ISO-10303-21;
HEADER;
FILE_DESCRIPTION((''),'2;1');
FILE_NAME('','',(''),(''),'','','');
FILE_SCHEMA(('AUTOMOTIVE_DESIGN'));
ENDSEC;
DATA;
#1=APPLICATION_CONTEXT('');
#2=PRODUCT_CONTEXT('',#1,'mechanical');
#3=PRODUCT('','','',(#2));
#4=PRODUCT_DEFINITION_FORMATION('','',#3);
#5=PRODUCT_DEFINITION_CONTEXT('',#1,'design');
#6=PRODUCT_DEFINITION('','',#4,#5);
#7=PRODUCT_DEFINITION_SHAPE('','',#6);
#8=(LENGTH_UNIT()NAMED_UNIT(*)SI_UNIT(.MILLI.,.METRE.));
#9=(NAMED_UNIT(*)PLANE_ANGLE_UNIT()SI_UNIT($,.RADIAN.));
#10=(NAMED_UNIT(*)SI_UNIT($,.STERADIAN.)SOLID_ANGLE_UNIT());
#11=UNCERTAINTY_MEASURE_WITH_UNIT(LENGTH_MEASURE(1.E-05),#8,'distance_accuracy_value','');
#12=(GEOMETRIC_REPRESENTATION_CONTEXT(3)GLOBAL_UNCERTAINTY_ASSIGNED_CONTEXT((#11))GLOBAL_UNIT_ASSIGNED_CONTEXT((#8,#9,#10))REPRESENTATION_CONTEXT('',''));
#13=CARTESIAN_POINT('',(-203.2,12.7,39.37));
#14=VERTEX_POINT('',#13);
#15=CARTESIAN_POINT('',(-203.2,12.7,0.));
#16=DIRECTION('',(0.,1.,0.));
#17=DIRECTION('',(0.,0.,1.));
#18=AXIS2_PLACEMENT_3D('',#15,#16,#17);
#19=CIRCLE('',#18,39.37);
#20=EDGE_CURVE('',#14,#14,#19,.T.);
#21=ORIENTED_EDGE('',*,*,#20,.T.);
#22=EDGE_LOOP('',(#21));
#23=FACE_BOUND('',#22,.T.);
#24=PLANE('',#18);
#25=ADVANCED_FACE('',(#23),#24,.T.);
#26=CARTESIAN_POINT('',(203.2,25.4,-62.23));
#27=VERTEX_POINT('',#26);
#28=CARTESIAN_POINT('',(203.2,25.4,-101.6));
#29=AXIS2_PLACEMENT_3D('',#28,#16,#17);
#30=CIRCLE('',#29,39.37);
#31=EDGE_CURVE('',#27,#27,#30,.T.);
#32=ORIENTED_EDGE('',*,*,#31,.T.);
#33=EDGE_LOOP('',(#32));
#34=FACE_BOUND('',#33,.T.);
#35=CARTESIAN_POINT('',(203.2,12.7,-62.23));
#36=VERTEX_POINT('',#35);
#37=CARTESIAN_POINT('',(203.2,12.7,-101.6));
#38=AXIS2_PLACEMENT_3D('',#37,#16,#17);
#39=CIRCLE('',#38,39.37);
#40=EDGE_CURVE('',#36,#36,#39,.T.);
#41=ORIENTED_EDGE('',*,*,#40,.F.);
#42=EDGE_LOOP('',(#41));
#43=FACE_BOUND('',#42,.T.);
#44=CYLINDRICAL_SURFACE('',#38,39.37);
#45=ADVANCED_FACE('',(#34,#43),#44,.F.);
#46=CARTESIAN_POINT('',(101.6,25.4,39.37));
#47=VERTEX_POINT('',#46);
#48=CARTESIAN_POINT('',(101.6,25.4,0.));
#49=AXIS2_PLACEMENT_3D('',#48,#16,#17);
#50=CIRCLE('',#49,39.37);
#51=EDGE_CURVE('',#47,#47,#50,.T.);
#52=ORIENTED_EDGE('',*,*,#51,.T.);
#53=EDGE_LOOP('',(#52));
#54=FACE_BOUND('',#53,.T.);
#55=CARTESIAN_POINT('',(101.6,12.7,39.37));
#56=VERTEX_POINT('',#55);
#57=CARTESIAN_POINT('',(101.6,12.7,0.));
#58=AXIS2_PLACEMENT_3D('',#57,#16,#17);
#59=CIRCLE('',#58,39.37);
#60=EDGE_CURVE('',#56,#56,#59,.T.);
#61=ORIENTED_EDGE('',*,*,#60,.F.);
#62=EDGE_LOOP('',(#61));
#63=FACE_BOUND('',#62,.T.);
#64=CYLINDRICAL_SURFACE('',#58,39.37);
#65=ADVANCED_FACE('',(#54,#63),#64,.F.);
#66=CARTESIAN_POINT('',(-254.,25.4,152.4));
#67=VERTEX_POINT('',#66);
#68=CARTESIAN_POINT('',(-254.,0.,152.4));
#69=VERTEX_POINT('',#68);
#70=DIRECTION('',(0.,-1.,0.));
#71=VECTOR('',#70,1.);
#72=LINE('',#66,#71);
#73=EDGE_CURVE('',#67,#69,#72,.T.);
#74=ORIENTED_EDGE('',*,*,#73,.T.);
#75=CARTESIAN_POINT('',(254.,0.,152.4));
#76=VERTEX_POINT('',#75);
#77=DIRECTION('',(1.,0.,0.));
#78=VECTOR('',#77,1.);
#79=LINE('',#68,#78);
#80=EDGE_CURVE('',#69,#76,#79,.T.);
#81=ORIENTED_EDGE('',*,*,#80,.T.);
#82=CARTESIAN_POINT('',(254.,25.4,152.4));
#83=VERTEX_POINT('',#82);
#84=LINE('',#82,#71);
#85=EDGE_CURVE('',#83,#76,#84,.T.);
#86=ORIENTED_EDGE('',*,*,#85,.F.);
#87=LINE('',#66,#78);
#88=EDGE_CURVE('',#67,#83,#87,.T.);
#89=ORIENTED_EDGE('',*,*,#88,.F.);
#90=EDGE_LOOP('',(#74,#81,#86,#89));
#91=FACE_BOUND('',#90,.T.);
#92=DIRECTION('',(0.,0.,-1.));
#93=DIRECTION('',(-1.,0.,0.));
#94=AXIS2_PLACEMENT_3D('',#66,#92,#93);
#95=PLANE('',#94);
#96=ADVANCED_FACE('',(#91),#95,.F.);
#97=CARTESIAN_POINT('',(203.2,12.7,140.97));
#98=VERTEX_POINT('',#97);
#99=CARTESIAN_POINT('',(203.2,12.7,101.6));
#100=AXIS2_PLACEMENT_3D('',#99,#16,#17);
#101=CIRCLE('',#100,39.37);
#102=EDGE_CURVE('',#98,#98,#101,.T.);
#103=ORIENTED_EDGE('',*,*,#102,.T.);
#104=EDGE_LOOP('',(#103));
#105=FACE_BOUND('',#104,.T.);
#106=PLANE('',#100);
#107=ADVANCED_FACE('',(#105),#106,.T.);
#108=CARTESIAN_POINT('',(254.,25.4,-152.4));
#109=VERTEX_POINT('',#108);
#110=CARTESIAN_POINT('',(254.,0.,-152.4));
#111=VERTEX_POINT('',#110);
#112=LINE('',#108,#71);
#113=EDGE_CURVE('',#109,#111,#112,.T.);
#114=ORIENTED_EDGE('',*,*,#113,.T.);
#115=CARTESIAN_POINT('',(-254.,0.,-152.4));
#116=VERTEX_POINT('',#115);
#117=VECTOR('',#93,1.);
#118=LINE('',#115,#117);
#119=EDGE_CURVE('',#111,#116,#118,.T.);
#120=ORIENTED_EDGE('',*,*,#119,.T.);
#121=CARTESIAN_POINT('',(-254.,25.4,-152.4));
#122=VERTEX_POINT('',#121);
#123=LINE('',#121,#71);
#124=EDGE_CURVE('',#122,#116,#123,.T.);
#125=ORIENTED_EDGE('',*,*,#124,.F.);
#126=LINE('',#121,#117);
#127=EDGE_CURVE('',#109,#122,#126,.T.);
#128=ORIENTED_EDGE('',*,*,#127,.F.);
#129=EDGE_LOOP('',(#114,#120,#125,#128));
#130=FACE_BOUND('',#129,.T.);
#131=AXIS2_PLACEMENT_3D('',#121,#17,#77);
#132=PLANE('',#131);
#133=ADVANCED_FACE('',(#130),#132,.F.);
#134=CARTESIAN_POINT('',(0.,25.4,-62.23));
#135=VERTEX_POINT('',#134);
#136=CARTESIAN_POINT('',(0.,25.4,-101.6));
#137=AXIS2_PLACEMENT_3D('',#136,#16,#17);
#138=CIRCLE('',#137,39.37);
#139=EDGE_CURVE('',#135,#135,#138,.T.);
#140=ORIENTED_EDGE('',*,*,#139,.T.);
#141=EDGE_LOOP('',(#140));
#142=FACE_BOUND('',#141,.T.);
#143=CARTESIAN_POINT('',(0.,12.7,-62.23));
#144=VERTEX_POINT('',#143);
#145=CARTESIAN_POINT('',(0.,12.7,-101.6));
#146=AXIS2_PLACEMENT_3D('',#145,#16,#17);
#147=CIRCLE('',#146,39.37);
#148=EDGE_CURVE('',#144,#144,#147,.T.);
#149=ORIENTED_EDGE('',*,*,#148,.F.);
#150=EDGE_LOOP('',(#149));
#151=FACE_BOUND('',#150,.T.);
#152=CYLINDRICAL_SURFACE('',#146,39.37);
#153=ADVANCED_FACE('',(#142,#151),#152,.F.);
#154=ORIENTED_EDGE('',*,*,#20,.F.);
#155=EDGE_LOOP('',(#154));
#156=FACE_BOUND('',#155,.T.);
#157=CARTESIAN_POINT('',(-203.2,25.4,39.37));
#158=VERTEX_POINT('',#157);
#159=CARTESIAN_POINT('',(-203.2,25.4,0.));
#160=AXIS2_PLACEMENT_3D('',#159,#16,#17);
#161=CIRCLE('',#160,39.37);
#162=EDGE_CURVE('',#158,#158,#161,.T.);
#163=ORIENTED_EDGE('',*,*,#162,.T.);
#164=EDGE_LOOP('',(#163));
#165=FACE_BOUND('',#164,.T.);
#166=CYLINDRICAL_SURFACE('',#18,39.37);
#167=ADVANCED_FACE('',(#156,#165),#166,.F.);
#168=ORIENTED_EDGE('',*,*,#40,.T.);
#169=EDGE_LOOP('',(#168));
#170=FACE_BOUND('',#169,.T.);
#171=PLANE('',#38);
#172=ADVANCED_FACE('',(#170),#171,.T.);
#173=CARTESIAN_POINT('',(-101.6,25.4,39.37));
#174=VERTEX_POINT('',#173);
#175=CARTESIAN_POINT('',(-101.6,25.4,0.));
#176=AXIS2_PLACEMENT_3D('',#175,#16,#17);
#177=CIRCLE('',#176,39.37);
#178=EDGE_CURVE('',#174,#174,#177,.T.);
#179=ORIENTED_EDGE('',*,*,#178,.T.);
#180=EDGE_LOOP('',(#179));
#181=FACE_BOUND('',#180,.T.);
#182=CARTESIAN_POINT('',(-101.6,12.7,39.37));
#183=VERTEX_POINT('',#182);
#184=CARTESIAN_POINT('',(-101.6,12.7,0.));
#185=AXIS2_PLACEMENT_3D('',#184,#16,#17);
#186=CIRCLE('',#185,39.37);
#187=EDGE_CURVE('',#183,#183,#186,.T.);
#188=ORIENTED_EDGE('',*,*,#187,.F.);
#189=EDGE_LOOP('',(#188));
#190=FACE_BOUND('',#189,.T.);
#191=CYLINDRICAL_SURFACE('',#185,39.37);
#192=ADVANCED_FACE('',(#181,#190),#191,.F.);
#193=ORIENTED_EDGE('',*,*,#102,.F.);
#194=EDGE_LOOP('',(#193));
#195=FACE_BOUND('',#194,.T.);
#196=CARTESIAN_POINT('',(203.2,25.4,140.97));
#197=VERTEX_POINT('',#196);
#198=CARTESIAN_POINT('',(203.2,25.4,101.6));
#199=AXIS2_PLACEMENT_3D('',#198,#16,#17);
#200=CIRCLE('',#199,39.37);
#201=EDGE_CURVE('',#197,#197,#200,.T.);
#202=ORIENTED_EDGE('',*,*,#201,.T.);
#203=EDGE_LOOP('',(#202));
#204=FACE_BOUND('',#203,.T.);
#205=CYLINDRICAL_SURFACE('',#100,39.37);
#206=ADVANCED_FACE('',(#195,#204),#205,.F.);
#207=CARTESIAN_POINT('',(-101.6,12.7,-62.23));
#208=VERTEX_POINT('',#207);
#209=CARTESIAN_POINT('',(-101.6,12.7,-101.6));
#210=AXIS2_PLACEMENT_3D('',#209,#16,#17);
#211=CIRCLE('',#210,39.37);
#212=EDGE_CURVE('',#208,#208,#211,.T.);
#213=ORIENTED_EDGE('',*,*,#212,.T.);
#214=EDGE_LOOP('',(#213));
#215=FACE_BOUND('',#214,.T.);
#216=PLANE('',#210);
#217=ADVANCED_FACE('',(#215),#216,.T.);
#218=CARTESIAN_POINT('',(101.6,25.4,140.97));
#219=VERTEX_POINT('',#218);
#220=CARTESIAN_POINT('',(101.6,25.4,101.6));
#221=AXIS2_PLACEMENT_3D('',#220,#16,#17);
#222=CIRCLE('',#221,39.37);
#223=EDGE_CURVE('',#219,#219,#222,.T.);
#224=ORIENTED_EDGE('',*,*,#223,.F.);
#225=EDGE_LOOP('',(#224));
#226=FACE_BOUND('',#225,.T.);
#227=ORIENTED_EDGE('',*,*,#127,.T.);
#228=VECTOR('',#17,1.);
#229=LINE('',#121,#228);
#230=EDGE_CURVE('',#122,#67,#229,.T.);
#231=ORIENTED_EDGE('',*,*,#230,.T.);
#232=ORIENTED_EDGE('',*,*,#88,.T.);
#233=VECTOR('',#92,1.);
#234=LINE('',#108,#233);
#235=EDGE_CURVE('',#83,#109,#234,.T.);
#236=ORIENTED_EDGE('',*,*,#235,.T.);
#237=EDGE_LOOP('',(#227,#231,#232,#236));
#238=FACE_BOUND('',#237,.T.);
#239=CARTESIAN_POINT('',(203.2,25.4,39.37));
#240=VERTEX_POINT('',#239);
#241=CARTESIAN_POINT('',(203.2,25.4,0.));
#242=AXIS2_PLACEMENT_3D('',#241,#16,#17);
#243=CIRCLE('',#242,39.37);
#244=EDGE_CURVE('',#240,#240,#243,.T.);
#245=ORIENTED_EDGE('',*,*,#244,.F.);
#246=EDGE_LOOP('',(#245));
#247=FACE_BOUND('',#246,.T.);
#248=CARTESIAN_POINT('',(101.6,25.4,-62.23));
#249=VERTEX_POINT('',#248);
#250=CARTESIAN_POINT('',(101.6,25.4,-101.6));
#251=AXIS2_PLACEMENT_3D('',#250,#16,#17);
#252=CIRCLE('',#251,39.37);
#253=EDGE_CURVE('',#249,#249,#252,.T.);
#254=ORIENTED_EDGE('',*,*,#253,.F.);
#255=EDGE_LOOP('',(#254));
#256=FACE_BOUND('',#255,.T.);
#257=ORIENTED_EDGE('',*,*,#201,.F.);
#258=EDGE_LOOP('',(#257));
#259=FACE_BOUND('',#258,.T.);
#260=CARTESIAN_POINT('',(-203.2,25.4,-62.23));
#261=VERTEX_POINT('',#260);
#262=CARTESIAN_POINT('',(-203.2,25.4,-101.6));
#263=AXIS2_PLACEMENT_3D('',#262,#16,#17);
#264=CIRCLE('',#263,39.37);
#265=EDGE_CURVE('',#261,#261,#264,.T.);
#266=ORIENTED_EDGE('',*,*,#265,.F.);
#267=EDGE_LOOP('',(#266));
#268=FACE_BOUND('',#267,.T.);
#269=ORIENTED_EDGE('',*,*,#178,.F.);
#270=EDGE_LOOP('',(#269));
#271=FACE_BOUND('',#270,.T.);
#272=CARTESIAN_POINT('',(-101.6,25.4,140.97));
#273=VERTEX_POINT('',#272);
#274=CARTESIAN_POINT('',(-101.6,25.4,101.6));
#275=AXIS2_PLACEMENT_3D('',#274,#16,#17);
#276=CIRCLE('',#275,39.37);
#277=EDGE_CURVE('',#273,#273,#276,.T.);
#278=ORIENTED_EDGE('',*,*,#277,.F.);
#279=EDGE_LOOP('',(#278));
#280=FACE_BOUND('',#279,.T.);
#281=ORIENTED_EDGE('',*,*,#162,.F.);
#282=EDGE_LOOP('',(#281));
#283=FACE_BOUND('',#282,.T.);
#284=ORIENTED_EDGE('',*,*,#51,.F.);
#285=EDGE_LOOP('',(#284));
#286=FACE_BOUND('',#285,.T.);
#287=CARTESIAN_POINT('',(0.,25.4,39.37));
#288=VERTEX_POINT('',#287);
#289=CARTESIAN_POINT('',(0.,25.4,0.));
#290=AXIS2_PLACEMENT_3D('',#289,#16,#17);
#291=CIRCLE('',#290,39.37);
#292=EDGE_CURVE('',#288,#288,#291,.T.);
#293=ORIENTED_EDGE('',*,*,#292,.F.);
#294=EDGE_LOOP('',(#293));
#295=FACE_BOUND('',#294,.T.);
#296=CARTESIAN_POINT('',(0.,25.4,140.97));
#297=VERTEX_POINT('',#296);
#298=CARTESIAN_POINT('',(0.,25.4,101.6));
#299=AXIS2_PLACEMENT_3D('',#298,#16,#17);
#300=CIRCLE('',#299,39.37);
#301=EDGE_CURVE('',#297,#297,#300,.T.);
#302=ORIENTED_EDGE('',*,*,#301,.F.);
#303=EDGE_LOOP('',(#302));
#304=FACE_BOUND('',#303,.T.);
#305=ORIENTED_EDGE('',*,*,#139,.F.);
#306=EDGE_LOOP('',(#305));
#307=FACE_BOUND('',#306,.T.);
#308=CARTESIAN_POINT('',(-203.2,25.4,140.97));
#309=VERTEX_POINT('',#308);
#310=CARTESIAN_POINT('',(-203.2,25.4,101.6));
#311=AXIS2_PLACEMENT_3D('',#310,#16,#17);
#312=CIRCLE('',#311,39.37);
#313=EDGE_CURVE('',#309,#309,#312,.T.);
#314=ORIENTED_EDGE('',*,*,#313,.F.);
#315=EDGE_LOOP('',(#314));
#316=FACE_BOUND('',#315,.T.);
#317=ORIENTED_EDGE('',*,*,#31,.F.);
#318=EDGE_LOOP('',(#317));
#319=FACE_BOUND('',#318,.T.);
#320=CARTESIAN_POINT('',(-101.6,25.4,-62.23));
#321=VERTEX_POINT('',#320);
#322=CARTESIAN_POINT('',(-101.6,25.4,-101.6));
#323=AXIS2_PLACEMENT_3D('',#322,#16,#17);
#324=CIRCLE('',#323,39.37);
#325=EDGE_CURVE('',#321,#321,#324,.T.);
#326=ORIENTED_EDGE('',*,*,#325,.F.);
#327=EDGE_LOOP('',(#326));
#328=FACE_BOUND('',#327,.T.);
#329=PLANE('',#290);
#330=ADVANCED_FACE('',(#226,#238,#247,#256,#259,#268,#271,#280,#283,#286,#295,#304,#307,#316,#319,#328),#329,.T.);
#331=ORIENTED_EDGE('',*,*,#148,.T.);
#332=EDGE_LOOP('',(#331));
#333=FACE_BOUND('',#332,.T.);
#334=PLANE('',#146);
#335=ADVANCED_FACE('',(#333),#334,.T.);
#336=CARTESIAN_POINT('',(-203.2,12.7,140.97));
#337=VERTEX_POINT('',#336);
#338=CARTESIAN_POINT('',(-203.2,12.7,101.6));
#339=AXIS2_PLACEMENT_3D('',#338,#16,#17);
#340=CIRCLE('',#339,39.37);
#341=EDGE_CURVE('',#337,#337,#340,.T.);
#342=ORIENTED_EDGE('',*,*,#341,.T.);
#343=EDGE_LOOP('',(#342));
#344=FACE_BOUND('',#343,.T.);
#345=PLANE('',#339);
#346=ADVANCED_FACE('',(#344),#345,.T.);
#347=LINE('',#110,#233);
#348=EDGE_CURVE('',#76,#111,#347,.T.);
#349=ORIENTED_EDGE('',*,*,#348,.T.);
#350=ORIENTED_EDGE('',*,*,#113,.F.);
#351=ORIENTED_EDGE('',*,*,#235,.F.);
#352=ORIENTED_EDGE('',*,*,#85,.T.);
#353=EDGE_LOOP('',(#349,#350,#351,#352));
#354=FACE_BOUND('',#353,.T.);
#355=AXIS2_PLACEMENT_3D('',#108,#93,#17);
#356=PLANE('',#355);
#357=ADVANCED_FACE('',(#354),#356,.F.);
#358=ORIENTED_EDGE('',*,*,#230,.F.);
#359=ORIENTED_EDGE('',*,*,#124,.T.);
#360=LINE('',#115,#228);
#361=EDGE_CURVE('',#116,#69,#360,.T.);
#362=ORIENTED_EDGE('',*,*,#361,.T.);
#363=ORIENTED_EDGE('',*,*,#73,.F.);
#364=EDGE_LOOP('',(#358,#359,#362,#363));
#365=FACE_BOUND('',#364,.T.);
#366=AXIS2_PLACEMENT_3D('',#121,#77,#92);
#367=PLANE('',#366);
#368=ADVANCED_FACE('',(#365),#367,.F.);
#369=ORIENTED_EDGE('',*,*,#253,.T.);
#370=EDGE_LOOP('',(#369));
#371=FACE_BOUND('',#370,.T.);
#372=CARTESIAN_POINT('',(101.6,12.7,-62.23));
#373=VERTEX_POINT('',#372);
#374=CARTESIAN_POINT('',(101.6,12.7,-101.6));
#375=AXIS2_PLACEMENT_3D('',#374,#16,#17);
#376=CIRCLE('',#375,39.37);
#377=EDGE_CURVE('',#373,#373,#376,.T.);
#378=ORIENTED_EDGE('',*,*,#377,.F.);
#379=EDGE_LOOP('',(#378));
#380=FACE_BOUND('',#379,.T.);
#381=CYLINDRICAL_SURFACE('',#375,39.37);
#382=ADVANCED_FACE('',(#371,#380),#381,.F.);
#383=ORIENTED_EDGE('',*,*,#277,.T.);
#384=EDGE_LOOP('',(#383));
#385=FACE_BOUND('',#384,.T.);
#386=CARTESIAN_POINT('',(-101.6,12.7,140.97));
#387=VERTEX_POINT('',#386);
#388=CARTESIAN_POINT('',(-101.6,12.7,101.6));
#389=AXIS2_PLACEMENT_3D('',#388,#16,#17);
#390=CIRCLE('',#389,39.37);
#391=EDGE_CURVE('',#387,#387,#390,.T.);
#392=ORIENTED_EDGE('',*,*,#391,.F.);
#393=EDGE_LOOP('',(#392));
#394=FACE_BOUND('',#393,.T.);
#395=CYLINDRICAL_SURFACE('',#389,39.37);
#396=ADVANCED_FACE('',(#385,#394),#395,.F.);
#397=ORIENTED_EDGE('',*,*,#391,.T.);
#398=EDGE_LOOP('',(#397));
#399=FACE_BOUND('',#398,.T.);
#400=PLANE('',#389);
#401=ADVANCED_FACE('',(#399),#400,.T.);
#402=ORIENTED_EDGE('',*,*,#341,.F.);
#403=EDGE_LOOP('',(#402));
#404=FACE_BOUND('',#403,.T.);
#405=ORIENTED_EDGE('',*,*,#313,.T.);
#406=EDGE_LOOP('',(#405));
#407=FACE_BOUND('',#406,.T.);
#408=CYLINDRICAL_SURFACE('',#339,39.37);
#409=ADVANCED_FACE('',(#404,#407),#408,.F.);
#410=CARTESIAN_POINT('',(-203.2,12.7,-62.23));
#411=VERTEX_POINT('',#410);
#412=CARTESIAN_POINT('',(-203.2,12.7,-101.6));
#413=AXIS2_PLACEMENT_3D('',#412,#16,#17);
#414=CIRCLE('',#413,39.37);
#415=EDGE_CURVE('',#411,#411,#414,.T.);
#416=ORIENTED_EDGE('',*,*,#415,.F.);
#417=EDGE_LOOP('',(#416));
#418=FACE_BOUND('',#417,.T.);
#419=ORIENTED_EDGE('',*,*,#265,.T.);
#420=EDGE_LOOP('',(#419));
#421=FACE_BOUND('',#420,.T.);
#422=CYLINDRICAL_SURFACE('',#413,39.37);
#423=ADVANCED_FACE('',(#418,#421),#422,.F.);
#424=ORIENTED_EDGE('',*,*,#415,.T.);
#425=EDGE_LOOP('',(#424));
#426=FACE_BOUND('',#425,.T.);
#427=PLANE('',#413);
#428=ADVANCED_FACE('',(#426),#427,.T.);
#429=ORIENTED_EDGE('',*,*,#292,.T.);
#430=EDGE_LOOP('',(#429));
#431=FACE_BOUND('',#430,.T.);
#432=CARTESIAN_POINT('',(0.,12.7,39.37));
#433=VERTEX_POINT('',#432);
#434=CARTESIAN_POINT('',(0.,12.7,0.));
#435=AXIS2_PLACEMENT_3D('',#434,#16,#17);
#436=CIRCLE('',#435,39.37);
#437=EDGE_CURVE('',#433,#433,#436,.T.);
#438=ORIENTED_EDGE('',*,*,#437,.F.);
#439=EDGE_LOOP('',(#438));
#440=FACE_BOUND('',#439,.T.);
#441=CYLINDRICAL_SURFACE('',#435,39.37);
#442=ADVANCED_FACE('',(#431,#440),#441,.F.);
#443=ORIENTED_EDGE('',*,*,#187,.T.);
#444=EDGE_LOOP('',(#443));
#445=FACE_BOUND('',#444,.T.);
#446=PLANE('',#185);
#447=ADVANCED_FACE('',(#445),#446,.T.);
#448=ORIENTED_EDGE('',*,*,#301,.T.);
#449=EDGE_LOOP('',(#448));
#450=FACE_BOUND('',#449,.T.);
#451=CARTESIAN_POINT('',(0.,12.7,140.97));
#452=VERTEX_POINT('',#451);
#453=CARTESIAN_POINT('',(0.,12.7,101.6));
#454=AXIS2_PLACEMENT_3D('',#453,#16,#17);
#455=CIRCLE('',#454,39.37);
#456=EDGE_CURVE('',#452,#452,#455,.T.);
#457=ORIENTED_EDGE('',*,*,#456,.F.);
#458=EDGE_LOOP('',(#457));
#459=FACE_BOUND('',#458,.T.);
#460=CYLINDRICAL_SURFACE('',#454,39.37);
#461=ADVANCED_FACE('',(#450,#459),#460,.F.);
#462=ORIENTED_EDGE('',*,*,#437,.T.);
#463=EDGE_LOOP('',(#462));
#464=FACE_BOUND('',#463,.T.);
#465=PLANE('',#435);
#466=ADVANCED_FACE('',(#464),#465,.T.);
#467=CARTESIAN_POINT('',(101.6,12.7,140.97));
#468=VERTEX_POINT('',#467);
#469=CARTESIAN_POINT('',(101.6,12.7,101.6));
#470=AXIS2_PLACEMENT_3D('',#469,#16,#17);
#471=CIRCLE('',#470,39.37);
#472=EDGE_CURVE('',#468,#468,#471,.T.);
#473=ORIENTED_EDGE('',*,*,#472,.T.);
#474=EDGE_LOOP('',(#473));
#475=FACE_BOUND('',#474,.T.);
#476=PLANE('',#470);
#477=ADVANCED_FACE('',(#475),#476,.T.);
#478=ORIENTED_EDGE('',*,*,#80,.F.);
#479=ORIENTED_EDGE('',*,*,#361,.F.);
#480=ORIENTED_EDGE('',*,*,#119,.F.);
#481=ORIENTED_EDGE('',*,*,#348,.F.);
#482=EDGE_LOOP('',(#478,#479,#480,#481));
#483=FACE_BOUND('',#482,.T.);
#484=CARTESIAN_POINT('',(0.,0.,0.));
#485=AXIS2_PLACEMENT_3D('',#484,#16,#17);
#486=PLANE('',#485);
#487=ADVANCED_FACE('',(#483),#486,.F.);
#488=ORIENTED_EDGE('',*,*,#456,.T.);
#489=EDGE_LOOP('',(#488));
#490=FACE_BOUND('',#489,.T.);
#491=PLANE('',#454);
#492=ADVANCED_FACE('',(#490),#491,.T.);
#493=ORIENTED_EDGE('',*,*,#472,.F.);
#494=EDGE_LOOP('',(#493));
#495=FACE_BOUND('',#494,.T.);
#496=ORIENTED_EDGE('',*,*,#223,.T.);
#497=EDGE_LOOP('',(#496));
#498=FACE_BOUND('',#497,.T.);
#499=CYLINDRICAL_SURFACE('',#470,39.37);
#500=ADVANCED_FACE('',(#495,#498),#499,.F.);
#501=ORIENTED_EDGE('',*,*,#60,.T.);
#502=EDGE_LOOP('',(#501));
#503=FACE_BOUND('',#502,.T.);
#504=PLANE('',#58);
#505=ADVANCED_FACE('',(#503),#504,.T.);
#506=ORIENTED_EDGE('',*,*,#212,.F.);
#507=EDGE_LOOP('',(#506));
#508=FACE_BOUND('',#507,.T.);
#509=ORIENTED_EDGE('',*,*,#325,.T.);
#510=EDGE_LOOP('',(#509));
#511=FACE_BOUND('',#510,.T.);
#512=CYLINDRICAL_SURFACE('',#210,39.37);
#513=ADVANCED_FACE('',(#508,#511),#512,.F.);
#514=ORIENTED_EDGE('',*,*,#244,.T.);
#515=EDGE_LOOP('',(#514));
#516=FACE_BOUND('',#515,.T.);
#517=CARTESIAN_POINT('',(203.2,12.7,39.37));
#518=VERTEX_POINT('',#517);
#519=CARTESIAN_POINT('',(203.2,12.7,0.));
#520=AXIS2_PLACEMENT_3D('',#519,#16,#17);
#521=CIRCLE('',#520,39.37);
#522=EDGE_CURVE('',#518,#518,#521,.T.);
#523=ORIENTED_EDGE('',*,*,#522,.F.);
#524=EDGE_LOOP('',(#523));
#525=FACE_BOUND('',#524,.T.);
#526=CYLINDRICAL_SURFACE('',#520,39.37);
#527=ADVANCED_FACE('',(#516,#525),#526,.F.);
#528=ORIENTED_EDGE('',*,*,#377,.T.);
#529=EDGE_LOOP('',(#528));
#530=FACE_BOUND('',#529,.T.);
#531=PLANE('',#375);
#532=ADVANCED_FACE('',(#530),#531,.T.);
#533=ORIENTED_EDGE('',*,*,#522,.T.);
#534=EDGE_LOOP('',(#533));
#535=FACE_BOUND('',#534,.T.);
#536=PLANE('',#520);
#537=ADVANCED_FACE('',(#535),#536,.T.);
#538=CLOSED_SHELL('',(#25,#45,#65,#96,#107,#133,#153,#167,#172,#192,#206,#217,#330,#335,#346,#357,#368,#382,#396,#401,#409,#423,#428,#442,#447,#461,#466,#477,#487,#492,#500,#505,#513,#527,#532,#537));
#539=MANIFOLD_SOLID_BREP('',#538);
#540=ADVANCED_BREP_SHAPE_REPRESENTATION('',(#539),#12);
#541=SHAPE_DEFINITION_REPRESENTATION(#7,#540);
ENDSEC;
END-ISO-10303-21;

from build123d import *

# Parameters (mm, degrees)
SKETCH1_W            = 508
SKETCH1_H            = 304.8
BOSS_EXTRUDE1_DEPTH  = 25.4
SKETCH2_R            = 39.37
CUT_EXTRUDE1_DEPTH   = 12.7
LPATTERN1_COUNT      = 5
LPATTERN1_PITCH      = 101.6
LPATTERN1_COUNT_DIR2 = 3
LPATTERN1_PITCH_DIR2 = 101.6


with BuildPart() as part:
    # Sketch1 → Boss-Extrude1 (new body)
    with BuildSketch(Plane(origin=(0, 0, 0), x_dir=(1, 0, 0), z_dir=(0, 1, 0))):
        Rectangle(SKETCH1_W, SKETCH1_H)
    extrude(amount=BOSS_EXTRUDE1_DEPTH)

    # Sketch2 → Cut-Extrude1 (cut)
    with BuildSketch(Plane(origin=(0, 25.4, 0), x_dir=(1, 0, 0), z_dir=(0, 1, 0))):
        with Locations(Location((-203.2, -101.6, 0), (0, 0, 270))):
            Circle(SKETCH2_R)
    cut_extrude1 = extrude(amount=-CUT_EXTRUDE1_DEPTH, mode=Mode.SUBTRACT)

    # LPattern1: Cut-Extrude1 5 × 3
    with Locations(*[(i * LPATTERN1_PITCH, 0, -j * LPATTERN1_PITCH_DIR2) for i in range(LPATTERN1_COUNT) for j in range(LPATTERN1_COUNT_DIR2) if (i, j) != (0, 0)]):
        add(cut_extrude1, mode=Mode.SUBTRACT)


solid = part.part
